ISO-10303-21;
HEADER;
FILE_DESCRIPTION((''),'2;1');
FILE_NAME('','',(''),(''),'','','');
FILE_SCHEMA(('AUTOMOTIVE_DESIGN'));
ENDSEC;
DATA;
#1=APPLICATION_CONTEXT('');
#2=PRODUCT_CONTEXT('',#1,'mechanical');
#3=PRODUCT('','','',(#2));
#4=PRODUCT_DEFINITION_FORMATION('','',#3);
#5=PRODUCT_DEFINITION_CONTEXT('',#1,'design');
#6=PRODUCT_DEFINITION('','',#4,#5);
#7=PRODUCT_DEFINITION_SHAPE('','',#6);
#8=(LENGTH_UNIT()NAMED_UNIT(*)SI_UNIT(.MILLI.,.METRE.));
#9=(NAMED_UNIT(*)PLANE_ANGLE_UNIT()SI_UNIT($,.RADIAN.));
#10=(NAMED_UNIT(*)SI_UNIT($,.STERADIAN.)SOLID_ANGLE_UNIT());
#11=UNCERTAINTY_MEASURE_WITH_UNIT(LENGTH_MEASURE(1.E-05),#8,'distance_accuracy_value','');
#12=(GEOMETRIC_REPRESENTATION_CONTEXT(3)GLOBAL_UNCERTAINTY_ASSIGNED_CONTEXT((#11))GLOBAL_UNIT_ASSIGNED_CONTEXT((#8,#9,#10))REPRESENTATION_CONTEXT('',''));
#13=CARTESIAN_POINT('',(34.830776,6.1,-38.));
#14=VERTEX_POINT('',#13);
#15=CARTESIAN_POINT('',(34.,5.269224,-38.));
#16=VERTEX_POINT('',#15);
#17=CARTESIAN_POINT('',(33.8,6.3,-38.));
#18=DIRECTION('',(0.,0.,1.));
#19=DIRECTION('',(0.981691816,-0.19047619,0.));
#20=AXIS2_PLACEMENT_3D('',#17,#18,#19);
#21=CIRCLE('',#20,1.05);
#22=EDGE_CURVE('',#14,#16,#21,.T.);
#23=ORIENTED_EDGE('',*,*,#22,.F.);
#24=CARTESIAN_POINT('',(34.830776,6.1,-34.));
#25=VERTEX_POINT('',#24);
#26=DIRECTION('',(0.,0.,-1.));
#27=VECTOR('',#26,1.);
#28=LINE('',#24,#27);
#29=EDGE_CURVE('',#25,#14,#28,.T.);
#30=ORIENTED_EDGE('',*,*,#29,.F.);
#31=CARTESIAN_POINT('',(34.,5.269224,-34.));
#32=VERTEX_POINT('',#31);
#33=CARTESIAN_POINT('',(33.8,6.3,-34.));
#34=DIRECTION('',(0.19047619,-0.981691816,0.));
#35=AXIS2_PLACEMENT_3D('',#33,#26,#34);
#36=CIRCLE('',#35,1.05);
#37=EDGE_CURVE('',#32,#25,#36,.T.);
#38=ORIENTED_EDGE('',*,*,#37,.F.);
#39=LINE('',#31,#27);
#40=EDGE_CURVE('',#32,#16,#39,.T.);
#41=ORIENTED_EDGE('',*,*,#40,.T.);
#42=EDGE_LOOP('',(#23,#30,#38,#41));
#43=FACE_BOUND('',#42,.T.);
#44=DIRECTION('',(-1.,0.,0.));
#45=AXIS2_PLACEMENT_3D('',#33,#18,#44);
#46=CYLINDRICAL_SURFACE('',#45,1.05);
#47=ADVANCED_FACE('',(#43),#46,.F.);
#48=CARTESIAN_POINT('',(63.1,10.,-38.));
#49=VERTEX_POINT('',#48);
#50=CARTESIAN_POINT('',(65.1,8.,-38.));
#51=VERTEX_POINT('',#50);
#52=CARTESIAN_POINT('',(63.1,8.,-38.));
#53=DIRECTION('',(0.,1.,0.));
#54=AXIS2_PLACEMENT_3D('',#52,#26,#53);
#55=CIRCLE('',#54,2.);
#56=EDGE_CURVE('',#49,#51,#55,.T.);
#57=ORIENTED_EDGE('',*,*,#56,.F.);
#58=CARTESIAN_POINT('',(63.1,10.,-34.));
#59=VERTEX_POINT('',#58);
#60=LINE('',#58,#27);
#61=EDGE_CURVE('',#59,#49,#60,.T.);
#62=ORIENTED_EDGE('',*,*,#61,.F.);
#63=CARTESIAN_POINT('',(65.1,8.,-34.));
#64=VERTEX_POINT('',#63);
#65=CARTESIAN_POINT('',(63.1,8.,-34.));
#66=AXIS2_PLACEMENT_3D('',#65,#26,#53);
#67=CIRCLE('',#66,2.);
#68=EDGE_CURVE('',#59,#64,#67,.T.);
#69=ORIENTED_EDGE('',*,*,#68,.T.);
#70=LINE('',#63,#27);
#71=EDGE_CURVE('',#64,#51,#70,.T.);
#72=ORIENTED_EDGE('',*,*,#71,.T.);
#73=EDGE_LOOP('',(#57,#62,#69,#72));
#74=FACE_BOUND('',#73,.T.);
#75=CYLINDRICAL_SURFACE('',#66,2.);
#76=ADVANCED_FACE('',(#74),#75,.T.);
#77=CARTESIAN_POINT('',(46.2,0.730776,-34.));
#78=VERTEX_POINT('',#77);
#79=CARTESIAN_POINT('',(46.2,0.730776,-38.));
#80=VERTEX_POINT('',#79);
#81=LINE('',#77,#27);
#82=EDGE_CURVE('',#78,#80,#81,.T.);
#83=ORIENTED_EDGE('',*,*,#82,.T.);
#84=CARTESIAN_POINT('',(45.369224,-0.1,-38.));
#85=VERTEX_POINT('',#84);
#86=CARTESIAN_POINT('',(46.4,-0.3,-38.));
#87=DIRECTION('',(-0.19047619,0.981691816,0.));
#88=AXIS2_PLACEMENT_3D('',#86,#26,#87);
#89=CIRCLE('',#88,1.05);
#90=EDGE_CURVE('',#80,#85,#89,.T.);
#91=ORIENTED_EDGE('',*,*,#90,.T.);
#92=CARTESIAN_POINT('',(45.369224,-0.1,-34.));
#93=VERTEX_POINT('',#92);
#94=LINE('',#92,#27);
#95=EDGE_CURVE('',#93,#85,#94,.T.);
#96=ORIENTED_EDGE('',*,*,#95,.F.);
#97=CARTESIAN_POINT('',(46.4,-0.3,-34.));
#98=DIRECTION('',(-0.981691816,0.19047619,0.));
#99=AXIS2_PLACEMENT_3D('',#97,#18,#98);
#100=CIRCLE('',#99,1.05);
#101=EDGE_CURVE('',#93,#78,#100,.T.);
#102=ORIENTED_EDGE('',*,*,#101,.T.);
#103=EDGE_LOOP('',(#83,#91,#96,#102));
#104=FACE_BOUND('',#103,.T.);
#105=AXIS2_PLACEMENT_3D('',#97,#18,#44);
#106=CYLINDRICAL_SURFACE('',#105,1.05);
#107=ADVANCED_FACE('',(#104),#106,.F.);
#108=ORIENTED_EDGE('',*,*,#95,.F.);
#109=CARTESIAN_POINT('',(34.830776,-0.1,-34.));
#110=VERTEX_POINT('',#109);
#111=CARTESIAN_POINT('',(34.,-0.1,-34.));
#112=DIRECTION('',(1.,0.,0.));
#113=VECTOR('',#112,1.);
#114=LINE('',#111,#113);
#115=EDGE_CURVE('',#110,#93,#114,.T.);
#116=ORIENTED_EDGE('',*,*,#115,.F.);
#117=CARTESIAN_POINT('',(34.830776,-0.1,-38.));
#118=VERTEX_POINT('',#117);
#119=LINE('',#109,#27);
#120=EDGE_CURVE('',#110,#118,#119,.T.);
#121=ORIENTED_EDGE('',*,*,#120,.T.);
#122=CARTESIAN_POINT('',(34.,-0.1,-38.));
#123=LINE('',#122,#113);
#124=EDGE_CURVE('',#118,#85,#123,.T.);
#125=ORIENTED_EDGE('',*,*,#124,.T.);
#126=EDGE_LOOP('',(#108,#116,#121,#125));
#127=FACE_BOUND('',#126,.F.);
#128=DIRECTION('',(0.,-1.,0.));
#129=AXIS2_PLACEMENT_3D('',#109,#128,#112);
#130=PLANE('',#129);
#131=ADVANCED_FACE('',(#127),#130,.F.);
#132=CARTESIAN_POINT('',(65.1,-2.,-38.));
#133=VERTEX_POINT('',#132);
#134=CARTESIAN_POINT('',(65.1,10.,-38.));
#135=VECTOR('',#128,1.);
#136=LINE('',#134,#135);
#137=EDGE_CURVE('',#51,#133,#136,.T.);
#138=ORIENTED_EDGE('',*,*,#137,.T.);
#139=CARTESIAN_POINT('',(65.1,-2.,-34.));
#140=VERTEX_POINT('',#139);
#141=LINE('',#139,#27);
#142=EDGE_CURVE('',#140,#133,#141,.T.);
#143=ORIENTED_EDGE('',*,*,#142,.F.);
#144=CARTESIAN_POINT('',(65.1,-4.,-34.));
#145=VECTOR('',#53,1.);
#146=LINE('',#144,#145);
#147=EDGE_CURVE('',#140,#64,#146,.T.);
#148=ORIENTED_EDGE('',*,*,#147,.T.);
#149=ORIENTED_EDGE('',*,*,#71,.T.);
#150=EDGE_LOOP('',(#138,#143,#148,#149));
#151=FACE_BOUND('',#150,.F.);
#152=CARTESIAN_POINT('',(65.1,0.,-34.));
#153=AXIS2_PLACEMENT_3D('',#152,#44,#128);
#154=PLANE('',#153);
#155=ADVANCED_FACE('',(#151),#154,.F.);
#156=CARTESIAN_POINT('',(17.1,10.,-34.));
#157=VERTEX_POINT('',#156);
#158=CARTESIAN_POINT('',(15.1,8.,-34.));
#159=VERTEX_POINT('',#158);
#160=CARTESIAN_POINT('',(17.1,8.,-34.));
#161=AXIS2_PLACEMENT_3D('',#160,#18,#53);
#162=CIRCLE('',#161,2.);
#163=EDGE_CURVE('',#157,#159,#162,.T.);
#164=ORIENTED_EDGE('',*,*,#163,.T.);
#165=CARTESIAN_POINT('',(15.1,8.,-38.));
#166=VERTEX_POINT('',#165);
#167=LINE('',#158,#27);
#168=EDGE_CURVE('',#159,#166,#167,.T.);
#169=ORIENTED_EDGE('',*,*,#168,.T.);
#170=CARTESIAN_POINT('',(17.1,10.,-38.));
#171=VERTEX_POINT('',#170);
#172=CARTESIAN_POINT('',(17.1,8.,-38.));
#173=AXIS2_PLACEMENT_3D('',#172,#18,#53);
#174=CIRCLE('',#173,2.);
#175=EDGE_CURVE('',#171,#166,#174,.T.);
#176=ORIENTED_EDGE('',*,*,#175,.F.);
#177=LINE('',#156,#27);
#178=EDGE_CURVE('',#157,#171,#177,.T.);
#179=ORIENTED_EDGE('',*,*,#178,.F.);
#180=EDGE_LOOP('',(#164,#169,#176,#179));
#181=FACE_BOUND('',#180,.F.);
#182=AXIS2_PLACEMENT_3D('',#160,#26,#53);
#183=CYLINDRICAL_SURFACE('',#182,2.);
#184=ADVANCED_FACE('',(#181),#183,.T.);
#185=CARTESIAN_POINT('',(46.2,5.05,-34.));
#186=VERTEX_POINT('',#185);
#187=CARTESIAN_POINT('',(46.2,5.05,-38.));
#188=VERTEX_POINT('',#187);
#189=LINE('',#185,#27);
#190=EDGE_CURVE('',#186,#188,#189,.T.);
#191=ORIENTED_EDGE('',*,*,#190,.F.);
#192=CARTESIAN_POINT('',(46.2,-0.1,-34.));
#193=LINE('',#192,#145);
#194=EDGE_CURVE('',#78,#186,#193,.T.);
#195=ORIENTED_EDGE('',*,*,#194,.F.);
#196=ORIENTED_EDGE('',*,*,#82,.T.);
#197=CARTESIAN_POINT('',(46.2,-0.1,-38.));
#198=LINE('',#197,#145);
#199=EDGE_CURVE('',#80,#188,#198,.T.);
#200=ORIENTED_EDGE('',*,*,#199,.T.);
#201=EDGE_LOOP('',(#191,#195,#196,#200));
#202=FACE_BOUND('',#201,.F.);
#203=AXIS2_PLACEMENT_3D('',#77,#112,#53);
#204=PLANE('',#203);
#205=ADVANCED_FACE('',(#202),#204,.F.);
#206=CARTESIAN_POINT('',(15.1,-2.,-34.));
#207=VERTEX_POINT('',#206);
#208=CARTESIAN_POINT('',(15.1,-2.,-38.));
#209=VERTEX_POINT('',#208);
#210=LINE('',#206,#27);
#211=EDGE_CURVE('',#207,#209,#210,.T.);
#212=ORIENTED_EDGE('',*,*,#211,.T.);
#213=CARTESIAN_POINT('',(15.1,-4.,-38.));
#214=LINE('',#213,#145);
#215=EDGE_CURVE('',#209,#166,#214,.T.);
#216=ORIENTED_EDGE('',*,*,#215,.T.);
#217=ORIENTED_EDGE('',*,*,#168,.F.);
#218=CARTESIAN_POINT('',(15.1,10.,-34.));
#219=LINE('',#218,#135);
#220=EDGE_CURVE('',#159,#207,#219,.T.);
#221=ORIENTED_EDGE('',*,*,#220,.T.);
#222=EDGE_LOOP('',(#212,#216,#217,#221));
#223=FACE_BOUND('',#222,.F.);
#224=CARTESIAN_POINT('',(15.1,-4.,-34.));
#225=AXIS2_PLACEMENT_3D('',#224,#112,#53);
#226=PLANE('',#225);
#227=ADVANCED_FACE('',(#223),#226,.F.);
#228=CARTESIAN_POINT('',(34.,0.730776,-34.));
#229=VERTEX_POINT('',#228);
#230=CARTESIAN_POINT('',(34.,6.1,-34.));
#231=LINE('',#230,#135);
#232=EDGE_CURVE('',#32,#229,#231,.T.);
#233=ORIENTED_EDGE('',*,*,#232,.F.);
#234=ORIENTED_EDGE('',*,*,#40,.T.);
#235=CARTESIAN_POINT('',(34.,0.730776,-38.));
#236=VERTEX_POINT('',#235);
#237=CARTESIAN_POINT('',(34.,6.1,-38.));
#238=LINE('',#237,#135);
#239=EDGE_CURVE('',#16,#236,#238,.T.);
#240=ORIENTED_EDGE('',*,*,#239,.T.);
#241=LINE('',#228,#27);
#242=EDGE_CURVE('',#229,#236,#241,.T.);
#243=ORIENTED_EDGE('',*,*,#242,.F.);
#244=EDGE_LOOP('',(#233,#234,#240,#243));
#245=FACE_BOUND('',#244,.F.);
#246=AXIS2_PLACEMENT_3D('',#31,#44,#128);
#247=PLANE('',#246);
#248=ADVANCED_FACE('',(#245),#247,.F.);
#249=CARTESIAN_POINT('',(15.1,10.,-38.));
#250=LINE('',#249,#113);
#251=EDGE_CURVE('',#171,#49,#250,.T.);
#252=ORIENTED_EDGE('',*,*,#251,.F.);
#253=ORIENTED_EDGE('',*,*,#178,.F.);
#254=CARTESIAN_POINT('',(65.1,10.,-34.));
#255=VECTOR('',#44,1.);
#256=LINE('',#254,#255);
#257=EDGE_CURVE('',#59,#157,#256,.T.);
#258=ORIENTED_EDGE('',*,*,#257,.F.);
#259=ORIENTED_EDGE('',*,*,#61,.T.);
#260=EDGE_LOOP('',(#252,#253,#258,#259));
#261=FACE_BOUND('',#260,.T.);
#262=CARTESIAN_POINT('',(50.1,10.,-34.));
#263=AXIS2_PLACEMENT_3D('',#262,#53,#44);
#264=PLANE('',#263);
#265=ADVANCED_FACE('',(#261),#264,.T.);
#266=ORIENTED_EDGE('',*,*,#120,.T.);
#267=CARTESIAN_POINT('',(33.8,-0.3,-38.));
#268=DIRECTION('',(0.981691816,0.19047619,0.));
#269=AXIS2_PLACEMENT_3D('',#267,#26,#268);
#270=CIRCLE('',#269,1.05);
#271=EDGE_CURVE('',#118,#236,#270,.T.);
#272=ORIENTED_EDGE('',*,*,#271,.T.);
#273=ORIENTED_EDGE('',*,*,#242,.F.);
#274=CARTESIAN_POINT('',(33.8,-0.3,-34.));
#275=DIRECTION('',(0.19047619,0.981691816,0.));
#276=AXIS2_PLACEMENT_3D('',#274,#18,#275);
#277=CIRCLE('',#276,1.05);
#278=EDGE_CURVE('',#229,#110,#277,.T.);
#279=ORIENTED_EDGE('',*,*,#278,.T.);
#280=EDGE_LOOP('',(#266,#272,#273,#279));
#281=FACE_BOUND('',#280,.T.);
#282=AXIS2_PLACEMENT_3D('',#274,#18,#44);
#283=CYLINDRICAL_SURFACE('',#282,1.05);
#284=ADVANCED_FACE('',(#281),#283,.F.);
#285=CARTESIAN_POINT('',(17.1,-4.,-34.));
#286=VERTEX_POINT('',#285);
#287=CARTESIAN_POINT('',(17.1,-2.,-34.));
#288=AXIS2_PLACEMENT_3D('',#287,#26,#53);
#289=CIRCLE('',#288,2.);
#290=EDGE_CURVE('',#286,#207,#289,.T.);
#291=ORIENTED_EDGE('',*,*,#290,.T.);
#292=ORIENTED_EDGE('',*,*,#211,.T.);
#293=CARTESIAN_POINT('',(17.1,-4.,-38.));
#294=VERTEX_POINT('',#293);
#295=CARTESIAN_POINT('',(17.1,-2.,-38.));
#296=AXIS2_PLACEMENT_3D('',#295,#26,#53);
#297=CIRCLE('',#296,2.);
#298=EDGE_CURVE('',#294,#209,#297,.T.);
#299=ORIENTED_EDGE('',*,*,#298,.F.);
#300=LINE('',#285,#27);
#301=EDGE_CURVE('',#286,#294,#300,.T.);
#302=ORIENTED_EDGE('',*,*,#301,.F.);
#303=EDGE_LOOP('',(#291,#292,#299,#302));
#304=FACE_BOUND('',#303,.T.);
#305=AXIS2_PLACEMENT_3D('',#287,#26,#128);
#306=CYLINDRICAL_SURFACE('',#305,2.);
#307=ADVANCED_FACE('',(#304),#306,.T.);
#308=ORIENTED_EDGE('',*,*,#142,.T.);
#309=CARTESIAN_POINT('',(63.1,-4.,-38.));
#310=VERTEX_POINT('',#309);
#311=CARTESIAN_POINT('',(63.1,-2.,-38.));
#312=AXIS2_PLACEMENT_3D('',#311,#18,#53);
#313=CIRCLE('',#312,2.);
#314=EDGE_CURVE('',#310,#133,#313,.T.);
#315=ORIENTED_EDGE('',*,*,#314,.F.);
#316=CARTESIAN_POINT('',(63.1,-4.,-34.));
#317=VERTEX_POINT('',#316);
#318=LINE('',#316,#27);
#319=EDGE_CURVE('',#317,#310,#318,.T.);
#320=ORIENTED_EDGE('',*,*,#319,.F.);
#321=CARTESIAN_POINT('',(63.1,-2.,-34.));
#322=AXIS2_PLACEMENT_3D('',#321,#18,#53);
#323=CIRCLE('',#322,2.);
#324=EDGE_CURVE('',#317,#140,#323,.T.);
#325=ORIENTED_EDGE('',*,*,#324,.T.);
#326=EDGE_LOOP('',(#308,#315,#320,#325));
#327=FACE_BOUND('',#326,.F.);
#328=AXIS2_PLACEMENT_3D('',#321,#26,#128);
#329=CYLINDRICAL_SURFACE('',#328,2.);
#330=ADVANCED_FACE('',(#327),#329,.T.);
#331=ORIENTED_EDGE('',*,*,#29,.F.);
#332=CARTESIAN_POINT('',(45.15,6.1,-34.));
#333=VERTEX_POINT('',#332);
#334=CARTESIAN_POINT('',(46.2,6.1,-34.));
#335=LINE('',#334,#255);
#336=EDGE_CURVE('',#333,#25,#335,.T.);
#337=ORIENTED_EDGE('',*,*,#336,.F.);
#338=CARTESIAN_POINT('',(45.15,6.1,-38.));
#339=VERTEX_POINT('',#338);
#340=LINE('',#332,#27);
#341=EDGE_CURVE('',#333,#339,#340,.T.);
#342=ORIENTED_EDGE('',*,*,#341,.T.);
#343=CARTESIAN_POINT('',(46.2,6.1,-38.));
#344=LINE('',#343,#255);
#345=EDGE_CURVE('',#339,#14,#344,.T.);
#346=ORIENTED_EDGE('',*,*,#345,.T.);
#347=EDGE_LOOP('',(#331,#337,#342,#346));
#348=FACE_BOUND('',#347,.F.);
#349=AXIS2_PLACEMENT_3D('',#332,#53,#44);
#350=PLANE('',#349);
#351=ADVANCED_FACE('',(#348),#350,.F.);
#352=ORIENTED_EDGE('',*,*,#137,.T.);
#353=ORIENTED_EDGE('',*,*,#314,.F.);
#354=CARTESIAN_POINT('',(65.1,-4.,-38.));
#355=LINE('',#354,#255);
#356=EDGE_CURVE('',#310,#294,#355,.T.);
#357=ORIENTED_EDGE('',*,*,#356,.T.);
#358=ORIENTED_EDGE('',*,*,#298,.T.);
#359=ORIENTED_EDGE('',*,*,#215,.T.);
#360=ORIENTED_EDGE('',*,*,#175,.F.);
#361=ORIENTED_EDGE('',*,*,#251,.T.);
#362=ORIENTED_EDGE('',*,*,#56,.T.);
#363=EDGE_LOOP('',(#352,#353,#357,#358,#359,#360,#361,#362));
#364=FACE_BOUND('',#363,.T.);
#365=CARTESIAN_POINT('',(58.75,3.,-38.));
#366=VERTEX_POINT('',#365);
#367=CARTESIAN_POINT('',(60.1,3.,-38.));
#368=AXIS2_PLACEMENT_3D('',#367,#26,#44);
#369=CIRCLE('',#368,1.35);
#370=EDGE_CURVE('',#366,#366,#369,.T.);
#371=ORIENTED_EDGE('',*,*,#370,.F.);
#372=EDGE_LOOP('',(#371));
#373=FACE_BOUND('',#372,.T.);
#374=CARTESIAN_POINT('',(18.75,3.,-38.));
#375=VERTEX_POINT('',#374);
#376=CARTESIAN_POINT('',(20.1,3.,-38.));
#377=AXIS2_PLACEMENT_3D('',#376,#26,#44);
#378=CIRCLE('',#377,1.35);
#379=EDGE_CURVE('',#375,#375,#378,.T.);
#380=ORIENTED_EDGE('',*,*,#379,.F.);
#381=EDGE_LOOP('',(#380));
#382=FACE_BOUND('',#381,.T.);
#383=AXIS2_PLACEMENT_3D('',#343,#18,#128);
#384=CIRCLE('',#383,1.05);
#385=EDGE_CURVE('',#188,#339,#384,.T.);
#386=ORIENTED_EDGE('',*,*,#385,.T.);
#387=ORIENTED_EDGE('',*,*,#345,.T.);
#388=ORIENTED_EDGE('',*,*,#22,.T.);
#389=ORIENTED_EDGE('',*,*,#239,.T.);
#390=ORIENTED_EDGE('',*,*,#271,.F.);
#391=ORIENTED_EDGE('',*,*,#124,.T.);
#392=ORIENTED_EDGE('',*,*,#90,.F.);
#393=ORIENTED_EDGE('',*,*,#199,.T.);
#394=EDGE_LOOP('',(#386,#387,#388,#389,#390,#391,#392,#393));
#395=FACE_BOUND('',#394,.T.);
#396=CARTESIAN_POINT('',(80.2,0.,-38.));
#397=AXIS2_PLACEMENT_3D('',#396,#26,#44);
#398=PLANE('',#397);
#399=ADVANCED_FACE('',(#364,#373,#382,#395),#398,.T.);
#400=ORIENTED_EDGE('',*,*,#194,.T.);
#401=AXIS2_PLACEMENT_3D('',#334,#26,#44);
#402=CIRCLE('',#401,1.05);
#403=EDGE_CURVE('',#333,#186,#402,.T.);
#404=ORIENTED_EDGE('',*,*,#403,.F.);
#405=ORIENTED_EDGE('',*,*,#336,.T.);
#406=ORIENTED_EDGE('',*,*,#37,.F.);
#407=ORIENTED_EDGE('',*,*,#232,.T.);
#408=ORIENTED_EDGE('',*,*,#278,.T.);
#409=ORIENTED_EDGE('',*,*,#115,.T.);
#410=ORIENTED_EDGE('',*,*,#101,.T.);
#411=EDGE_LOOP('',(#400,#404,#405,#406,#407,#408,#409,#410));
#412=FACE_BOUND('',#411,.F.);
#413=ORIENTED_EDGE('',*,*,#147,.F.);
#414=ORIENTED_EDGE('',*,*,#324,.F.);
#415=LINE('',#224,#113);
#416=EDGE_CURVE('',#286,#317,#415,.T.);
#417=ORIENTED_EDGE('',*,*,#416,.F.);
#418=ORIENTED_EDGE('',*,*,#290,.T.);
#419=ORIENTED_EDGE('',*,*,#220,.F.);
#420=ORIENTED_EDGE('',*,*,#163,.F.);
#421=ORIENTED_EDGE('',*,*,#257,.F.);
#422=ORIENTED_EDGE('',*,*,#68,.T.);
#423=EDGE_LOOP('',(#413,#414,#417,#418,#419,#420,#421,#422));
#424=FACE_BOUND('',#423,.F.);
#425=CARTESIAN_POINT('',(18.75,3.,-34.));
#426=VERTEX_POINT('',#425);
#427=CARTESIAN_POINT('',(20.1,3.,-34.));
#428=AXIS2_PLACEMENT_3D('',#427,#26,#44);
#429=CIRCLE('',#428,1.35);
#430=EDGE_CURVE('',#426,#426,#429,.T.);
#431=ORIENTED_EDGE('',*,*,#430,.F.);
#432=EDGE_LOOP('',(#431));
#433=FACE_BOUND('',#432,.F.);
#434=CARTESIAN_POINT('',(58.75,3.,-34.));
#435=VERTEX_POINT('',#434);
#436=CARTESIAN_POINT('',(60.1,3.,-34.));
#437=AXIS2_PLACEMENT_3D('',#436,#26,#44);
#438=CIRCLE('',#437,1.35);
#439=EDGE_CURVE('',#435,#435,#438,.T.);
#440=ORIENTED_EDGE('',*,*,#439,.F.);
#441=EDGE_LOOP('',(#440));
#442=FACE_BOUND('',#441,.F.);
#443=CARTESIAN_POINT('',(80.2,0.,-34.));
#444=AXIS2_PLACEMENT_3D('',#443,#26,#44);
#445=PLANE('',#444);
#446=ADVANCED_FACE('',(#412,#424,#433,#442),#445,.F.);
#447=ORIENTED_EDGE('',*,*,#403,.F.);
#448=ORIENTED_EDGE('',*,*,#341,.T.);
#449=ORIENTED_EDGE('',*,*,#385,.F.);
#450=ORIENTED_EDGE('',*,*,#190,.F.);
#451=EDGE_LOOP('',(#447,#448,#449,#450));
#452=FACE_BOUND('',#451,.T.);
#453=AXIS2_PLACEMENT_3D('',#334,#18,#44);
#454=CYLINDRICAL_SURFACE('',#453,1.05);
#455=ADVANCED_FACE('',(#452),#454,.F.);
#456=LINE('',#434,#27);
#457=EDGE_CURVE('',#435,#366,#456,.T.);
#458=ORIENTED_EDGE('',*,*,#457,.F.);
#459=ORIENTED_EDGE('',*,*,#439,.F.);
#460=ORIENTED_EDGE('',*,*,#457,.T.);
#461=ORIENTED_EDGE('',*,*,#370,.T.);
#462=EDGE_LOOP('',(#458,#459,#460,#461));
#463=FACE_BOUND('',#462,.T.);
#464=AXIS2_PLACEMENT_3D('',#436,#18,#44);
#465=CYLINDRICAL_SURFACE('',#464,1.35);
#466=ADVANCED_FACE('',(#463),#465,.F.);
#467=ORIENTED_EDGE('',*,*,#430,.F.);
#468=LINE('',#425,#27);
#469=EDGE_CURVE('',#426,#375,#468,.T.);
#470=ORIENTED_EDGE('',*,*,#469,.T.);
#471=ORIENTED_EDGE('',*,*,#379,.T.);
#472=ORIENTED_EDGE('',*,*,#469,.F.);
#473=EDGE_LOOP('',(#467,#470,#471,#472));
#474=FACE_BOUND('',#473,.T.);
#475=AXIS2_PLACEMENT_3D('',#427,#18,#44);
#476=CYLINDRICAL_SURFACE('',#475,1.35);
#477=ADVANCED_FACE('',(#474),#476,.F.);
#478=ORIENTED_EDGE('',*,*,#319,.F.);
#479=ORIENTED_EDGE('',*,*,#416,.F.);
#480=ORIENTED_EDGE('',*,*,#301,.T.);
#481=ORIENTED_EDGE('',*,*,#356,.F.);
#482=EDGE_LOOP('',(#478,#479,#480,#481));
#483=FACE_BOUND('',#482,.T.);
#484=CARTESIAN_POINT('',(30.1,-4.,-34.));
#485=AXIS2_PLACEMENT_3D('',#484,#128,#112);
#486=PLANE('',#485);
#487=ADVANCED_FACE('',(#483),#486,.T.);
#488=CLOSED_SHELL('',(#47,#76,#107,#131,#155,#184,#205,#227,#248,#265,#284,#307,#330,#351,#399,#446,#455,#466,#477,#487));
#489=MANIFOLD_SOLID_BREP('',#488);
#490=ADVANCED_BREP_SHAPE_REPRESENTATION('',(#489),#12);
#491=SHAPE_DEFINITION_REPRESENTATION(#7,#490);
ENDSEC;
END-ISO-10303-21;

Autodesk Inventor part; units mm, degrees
ref_plane "YZ Plane" through (0, 0, 0) normal (1, 0, 0) x (0, 1, 0)
ref_plane "XZ Plane" through (0, 0, 0) normal (0, 1, 0) x (-1, 0, 0)
ref_plane "XY Plane" through (0, 0, 0) normal (0, 0, 1) x (1, 0, 0)
ref_plane "작업 평면1" through (80.2, 0, -34) normal (0, 0, -1) x (-1, 0, 0)
sketch "스케치1" plane through (80.2, 0, -34) normal (0, 0, -1) x (-1, 0, 0)
  line L0 (34.1, 0) -> (46.1, 0) projected
  line L1 (46.1, 0) -> (46.1, 6) projected
  line L2 (34.1, 6) -> (46.1, 6) projected
  line L3 (34.1, 0) -> (34.1, 6) projected
  line L4 (46.2, 6.1) -> (46.2, -0.1)
  line L5 (46.2, -0.1) -> (34, -0.1)
  line L6 (34, -0.1) -> (34, 6.1)
  line L7 (34, 6.1) -> (46.2, 6.1)
  line L8 (33.1, 0) -> (33.1, 6) projected
  line L9 (0, 6) -> (33.1, 6) projected
  line L10 (0, 0) -> (0, 6) projected
  line L11 (0, 0) -> (33.1, 0) projected
  circle A0 centre (20.1, 3) radius 1.35 projected
  line L12 (47.1, 6) -> (47.1, 0) projected
  line L13 (47.1, 0) -> (80.2, 0) projected
  line L14 (80.2, 0) -> (80.2, 6) projected
  line L15 (47.1, 6) -> (80.2, 6) projected
  circle A1 centre (60.1, 3) radius 1.35 projected
  line L16 (50.1, 10) -> (50.1, -4)
  line L17 (50.1, -4) -> (30.1, -4)
  line L18 (30.1, -4) -> (30.1, 10)
  line L19 (30.1, 10) -> (50.1, 10)
  line L20 (15.1, -4) -> (25.1, -4)
  line L21 (25.1, -4) -> (25.1, 10)
  line L22 (25.1, 10) -> (15.1, 10)
  line L23 (15.1, 10) -> (15.1, -4)
  line L24 (15.1, -4) -> (25.1, 10) construction
  line L25 (25.1, -4) -> (15.1, 10) construction
  line L26 (55.1, -4) -> (65.1, -4)
  line L27 (65.1, -4) -> (65.1, 10)
  line L28 (65.1, 10) -> (55.1, 10)
  line L29 (55.1, 10) -> (55.1, -4)
  line L30 (55.1, -4) -> (65.1, 10) construction
  line L31 (65.1, -4) -> (55.1, 10) construction
  line L32 (15.1, 10) -> (65.1, 10)
  line L33 (65.1, 10) -> (65.1, -4)
  line L34 (65.1, -4) -> (15.1, -4)
  line L35 (15.1, -4) -> (15.1, 10)
  circle A2 centre (34, 6.1) radius 1.05
  circle A3 centre (33.8, -0.3) radius 1.05
  circle A4 centre (46.4, -0.3) radius 1.05
  circle A5 centre (46.4, 6.3) radius 1.05
  point P0 (34, 0.7308)
  point P1 (34, 5.05)
  point P2 (35.05, 6.1)
  point P3 (45.3692, 6.1)
  point P4 (46.2, 5.2692)
  point P5 (46.2, 0.7308)
  point P6 (45.3692, -0.1)
  point P7 (34.8308, -0.1)
  point P8 (50.1, -4)
  dimension "d0" = 0.1
  dimension "d1" = 4
  dimension "d2" = 10
  dimension "d3" = 14
  dimension "d4" = 10
  dimension "d5" = 14
  dimension "d6" = 2.1
  dimension "d7" = 2.1
  dimension "d8" = 2.1
  dimension "d9" = 2.1
extrude "돌출1" add sketch "스케치1" along normal blind 4 contours L5 A4 L13 L16 L17 L18 L11 A3 | A3 L8 A2 L6 | A3 L11 L18 L9 A2 L8 | L4 A5 L12 A4 | A2 L9 L18 L19 L16 L15 A5 L7 | L12 A5 L15 L16 L13 A4 | L18 L34 L21 L11 | L11 L21 L9 L18 | L16 L15 L29 L13 | L13 L29 L34 L16 | L21 L20 L23 L11 | L11 L23 L9 L21 | L9 L21 L32 L18 | L29 L15 L27 L13 | L13 L27 L26 L29 | L16 L32 L29 L15 | L9 L23 L22 L21 | L29 L28 L27 L15
fillet "모깎기1" radius 2 4 edges at (15.1, -4, -36) (15.1, 10, -36) (65.1, -4, -36) (65.1, 10, -36)
properties part number "hip joint_body connection_zig8"
